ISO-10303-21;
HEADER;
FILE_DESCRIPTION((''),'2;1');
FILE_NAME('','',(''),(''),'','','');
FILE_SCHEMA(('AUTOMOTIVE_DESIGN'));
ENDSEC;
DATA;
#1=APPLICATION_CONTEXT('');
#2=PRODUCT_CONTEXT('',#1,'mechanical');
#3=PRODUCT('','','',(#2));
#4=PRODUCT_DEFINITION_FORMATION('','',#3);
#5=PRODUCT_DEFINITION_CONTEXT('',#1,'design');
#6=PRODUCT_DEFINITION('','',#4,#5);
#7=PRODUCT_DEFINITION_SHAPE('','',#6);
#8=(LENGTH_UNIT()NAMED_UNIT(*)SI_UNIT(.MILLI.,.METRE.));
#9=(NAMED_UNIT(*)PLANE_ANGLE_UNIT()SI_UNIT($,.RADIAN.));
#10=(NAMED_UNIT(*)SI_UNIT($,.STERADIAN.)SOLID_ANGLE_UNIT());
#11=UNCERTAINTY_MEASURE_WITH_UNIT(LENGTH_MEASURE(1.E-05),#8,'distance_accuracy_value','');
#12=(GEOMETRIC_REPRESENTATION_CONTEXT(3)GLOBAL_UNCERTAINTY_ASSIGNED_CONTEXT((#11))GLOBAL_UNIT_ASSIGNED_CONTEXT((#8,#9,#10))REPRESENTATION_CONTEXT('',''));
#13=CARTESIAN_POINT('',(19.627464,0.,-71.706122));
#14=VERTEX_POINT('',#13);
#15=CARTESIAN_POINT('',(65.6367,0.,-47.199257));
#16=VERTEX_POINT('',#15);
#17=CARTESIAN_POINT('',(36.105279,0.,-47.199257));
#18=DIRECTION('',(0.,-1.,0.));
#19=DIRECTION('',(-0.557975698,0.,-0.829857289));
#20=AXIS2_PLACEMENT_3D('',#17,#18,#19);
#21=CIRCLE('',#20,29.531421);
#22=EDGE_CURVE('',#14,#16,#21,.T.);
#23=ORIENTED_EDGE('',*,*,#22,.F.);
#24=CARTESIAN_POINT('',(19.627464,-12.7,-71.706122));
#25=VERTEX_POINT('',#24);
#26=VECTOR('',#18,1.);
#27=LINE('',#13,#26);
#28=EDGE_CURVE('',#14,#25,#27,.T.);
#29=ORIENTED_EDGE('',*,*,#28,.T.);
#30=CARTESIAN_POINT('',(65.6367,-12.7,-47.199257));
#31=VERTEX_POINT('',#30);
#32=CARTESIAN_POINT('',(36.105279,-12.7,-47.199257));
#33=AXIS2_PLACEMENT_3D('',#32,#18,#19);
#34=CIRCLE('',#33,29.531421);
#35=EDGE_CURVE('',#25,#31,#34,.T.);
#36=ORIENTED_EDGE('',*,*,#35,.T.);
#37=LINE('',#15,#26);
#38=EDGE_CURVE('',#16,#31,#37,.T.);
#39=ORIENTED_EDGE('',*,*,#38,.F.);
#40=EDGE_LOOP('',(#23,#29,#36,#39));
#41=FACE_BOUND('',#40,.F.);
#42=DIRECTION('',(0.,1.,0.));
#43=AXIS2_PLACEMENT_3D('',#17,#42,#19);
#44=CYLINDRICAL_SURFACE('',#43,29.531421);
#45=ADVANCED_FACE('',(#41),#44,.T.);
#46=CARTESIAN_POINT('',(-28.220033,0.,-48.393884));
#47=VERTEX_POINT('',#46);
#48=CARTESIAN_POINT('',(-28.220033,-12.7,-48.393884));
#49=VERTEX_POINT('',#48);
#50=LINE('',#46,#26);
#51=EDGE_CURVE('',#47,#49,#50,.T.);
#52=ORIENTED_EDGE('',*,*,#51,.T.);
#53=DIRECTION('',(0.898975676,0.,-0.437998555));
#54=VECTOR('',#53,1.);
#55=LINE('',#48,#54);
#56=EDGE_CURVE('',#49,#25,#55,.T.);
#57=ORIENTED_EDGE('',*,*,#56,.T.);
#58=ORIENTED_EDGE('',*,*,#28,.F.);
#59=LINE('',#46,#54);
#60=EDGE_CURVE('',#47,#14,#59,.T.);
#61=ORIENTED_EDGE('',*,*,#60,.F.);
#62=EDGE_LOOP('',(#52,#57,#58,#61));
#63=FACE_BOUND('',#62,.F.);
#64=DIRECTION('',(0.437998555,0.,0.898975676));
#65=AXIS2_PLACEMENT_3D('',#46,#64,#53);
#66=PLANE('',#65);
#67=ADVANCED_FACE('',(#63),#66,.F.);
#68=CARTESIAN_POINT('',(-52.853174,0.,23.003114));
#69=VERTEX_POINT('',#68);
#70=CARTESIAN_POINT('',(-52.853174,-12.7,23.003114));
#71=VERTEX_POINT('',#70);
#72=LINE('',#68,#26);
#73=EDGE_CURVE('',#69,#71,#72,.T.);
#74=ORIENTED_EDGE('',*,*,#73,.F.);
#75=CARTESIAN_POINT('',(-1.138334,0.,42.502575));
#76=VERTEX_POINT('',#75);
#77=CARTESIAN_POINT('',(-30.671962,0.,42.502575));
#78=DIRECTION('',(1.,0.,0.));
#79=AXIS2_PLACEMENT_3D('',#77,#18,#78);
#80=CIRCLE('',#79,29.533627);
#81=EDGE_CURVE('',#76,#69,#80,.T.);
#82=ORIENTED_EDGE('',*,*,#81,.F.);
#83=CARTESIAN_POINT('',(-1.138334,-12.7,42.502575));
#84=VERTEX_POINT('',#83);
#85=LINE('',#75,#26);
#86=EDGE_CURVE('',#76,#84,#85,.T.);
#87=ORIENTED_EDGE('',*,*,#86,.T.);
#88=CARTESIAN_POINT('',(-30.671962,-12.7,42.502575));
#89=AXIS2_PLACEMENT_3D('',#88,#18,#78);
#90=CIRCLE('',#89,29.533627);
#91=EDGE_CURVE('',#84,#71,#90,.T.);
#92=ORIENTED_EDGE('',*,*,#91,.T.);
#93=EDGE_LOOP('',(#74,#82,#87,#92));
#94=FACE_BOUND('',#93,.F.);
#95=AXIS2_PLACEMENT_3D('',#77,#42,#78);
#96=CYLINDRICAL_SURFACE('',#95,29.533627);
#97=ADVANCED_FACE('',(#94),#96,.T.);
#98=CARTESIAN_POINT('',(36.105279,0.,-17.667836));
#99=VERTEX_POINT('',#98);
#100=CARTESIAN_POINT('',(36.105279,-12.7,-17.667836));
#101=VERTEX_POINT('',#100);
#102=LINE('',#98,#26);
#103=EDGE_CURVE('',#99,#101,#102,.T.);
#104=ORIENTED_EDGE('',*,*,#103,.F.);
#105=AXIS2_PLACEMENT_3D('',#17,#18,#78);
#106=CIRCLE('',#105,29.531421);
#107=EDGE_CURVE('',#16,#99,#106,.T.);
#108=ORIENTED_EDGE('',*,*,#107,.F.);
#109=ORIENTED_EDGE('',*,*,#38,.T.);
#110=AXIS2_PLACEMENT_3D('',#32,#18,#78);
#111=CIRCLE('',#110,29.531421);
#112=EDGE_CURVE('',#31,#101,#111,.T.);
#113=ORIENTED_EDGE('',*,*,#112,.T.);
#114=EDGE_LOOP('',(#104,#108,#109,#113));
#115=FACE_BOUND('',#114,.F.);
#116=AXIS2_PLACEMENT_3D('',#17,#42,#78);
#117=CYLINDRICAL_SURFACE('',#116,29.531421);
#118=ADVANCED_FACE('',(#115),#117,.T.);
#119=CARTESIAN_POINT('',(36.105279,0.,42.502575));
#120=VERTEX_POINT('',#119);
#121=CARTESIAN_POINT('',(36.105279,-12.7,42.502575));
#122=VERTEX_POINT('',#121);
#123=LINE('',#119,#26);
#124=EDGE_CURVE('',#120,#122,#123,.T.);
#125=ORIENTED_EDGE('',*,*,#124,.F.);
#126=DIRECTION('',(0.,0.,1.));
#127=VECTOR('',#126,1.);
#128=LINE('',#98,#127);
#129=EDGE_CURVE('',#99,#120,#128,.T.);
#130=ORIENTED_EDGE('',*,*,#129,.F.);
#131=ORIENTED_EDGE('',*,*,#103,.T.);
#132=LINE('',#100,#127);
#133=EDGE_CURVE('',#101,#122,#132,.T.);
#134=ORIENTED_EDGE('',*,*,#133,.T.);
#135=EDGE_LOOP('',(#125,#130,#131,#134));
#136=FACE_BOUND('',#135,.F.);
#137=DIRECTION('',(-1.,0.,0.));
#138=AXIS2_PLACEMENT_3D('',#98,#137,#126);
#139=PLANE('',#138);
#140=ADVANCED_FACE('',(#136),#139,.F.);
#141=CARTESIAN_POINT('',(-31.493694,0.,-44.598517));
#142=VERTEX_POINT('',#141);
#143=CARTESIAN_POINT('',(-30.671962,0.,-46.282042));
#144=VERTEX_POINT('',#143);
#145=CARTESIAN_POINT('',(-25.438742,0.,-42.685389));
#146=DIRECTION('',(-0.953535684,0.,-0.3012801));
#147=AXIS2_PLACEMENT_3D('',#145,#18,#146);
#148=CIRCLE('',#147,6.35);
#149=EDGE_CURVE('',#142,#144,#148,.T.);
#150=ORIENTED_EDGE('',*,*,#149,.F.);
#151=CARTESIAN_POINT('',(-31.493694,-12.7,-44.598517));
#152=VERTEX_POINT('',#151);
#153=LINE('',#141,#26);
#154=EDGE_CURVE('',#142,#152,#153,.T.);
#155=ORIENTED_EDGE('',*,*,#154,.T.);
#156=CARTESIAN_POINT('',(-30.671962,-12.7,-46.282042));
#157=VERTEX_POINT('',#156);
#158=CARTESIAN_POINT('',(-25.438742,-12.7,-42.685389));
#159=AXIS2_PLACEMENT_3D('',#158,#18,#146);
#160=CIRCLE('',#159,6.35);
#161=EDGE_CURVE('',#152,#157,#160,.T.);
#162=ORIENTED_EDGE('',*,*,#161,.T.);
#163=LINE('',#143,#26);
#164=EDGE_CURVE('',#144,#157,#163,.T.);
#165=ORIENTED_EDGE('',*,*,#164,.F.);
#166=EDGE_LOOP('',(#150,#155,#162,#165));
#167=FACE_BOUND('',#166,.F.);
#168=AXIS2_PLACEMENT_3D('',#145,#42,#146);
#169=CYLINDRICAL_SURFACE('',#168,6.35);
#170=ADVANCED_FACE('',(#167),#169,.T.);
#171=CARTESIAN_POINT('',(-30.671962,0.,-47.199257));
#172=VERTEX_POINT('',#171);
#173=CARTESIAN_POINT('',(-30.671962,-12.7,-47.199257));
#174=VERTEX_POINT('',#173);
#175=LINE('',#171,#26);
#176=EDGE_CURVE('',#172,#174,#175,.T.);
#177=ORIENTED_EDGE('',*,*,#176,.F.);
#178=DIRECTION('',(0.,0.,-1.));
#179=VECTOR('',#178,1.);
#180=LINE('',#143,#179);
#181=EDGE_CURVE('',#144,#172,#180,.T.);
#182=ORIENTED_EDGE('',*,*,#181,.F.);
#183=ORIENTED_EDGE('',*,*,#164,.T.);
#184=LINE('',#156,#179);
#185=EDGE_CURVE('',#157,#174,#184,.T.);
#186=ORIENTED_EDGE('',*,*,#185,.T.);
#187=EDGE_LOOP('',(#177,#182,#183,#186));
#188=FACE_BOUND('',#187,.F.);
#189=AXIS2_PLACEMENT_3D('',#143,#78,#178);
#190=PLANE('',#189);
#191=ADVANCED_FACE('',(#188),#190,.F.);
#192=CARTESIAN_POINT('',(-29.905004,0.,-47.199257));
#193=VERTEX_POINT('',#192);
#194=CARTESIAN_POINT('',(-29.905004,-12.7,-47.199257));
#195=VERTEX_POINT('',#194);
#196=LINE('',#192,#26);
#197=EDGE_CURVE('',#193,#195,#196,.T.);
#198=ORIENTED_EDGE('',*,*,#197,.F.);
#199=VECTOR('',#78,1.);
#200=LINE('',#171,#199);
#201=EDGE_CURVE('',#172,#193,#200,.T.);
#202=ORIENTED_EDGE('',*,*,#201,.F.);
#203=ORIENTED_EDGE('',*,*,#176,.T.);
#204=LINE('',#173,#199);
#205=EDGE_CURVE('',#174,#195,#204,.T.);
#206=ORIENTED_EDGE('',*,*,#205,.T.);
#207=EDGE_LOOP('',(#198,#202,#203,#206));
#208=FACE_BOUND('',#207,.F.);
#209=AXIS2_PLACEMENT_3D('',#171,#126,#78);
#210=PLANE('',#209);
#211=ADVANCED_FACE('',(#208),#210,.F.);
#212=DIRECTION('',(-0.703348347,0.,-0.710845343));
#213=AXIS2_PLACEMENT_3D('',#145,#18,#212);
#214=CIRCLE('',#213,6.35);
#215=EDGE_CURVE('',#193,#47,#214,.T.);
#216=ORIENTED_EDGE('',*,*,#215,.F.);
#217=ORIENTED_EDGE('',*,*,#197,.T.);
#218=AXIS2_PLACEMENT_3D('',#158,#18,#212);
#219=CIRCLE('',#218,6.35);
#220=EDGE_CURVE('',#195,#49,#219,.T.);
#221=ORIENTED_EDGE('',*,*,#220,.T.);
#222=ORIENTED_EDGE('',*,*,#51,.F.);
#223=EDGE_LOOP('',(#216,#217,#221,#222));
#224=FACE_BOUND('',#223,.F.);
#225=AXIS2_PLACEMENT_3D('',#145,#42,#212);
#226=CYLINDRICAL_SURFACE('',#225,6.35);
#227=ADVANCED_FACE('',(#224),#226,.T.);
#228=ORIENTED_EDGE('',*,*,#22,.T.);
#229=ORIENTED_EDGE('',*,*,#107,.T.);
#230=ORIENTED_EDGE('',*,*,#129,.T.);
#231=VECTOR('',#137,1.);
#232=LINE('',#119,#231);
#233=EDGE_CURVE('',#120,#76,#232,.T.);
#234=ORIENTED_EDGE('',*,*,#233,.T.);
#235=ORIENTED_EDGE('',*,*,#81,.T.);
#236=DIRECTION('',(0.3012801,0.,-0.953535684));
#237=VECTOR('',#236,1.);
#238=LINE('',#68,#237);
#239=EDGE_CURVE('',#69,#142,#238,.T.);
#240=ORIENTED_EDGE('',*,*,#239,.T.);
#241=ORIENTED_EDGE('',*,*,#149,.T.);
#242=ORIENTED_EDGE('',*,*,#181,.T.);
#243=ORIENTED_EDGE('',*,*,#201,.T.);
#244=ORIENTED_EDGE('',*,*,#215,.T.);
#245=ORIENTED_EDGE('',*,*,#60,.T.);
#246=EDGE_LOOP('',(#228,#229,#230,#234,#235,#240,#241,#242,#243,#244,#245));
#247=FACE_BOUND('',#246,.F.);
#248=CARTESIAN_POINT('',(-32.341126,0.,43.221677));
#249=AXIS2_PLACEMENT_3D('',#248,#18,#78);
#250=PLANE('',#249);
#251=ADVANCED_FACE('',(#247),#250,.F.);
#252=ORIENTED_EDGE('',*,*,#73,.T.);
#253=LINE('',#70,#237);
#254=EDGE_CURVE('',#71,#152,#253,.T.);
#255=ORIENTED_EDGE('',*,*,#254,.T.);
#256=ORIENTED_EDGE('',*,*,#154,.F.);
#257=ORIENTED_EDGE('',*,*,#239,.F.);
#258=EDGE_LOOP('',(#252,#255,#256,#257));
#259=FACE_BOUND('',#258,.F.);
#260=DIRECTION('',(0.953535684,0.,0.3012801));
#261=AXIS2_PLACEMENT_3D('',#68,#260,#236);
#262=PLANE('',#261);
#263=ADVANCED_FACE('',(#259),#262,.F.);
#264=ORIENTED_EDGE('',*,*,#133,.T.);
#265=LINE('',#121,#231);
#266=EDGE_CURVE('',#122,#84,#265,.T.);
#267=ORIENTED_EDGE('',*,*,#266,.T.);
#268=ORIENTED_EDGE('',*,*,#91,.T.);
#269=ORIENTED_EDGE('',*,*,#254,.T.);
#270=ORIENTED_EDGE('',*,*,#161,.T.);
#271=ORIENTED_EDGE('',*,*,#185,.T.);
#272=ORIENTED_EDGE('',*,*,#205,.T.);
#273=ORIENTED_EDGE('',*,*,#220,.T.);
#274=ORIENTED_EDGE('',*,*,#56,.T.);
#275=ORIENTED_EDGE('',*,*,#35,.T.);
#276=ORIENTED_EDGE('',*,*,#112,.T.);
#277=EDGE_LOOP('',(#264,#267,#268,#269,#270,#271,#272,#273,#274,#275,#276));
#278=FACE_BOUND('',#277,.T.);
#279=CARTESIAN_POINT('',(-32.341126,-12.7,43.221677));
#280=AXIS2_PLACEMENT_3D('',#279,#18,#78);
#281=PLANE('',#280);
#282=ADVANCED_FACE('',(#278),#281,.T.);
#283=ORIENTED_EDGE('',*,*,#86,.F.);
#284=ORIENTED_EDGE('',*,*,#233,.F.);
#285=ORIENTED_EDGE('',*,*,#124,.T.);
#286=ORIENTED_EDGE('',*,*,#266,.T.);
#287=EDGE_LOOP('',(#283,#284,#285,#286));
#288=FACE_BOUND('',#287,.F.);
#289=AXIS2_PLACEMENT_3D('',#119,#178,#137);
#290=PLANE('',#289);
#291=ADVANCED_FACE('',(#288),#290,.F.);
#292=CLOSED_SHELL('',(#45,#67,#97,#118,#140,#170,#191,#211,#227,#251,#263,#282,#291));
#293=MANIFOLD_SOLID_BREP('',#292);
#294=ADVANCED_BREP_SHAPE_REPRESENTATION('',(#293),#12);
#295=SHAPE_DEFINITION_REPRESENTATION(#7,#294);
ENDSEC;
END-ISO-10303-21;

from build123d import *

# Parameters (mm, degrees)
F1_DEPTH = 12.7


with BuildPart() as f1:
    # F0 (on Front) → F1 (new body)
    with BuildSketch(Plane.XZ):
        with BuildLine():
            Line((-30.6719616055, 12.9689474719), (-30.6719616055, 42.5025746226))
            Line((-30.6719616055, 42.5025746226), (-1.1383344548, 42.5025746226))
            ThreePointArc((-1.1383344548, 42.5025746226), (-41.091738146, 70.1370348042), (-52.8531736535, 23.0031139951))
            ThreePointArc((-52.8531736535, 23.0031139951), (-42.8445811442, 15.5941657836), (-30.6719616055, 12.9689474719))
        make_face()
        with BuildLine():
            Line((-1.1383344548, 42.5025746226), (-30.6719616055, 42.5025746226))
            Line((-30.6719616055, 42.5025746226), (-30.6719616055, 12.9689474719))
            ThreePointArc((-30.6719616055, 12.9689474719), (-9.7885335742, 21.6191465913), (-1.1383344548, 42.5025746226))
        make_face()
        with BuildLine():
            Line((36.1052788794, 42.5025746226), (-1.1383344548, 42.5025746226))
            ThreePointArc((-1.1383344548, 42.5025746226), (-9.7885335742, 21.6191465913), (-30.6719616055, 12.9689474719))
            Line((-30.6719616055, 12.9689474719), (-30.6719616055, -46.2820419996))
            ThreePointArc((-30.6719616055, -46.2820419996), (-30.3101183632, -46.7587404599), (-29.9050042347, -47.1992566308))
            Line((-29.9050042347, -47.1992566308), (6.5738577877, -47.1992566308))
            ThreePointArc((6.5738577877, -47.1992566308), (15.2234107674, -26.3173885188), (36.1052788794, -17.6678355391))
            Line((36.1052788794, -17.6678355391), (36.1052788794, 42.5025746226))
        make_face()
        with BuildLine():
            Line((-30.6719616055, -46.2820419996), (-30.6719616055, 12.9689474719))
            ThreePointArc((-30.6719616055, 12.9689474719), (-42.8445811442, 15.5941657836), (-52.8531736535, 23.0031139951))
            Line((-52.8531736535, 23.0031139951), (-31.4936938255, -44.5985173325))
            ThreePointArc((-31.4936938255, -44.5985173325), (-31.1452529672, -45.4707495734), (-30.6719616055, -46.2820419996))
        make_face()
        with BuildLine():
            ThreePointArc((-29.9050042347, -47.1992566308), (-30.3101183632, -46.7587404599), (-30.6719616055, -46.2820419996))
            Line((-30.6719616055, -46.2820419996), (-30.6719616055, -47.1992566308))
            Line((-30.6719616055, -47.1992566308), (-29.9050042347, -47.1992566308))
        make_face()
        with BuildLine():
            ThreePointArc((65.6366999711, -47.1992566308), (56.9871469914, -26.3173885188), (36.1052788794, -17.6678355391))
            Line((36.1052788794, -17.6678355391), (36.1052788794, -47.1992566308))
            Line((36.1052788794, -47.1992566308), (6.5738577877, -47.1992566308))
            ThreePointArc((6.5738577877, -47.1992566308), (10.040761487, -61.0825474799), (19.6274635862, -71.7061216865))
            ThreePointArc((19.6274635862, -71.7061216865), (49.9885697285, -73.2637740232), (65.6366999711, -47.1992566308))
        make_face()
        with BuildLine():
            Line((36.1052788794, -47.1992566308), (36.1052788794, -17.6678355391))
            ThreePointArc((36.1052788794, -17.6678355391), (15.2234107674, -26.3173885188), (6.5738577877, -47.1992566308))
            Line((6.5738577877, -47.1992566308), (36.1052788794, -47.1992566308))
        make_face()
        with BuildLine():
            Line((6.5738577877, -47.1992566308), (-29.9050042347, -47.1992566308))
            ThreePointArc((-29.9050042347, -47.1992566308), (-29.1114169079, -47.865539345), (-28.2200330558, -48.3938842407))
            Line((-28.2200330558, -48.3938842407), (19.6274635862, -71.7061216865))
            ThreePointArc((19.6274635862, -71.7061216865), (10.040761487, -61.0825474799), (6.5738577877, -47.1992566308))
        make_face()
    extrude(amount=F1_DEPTH)


solid = f1.part
